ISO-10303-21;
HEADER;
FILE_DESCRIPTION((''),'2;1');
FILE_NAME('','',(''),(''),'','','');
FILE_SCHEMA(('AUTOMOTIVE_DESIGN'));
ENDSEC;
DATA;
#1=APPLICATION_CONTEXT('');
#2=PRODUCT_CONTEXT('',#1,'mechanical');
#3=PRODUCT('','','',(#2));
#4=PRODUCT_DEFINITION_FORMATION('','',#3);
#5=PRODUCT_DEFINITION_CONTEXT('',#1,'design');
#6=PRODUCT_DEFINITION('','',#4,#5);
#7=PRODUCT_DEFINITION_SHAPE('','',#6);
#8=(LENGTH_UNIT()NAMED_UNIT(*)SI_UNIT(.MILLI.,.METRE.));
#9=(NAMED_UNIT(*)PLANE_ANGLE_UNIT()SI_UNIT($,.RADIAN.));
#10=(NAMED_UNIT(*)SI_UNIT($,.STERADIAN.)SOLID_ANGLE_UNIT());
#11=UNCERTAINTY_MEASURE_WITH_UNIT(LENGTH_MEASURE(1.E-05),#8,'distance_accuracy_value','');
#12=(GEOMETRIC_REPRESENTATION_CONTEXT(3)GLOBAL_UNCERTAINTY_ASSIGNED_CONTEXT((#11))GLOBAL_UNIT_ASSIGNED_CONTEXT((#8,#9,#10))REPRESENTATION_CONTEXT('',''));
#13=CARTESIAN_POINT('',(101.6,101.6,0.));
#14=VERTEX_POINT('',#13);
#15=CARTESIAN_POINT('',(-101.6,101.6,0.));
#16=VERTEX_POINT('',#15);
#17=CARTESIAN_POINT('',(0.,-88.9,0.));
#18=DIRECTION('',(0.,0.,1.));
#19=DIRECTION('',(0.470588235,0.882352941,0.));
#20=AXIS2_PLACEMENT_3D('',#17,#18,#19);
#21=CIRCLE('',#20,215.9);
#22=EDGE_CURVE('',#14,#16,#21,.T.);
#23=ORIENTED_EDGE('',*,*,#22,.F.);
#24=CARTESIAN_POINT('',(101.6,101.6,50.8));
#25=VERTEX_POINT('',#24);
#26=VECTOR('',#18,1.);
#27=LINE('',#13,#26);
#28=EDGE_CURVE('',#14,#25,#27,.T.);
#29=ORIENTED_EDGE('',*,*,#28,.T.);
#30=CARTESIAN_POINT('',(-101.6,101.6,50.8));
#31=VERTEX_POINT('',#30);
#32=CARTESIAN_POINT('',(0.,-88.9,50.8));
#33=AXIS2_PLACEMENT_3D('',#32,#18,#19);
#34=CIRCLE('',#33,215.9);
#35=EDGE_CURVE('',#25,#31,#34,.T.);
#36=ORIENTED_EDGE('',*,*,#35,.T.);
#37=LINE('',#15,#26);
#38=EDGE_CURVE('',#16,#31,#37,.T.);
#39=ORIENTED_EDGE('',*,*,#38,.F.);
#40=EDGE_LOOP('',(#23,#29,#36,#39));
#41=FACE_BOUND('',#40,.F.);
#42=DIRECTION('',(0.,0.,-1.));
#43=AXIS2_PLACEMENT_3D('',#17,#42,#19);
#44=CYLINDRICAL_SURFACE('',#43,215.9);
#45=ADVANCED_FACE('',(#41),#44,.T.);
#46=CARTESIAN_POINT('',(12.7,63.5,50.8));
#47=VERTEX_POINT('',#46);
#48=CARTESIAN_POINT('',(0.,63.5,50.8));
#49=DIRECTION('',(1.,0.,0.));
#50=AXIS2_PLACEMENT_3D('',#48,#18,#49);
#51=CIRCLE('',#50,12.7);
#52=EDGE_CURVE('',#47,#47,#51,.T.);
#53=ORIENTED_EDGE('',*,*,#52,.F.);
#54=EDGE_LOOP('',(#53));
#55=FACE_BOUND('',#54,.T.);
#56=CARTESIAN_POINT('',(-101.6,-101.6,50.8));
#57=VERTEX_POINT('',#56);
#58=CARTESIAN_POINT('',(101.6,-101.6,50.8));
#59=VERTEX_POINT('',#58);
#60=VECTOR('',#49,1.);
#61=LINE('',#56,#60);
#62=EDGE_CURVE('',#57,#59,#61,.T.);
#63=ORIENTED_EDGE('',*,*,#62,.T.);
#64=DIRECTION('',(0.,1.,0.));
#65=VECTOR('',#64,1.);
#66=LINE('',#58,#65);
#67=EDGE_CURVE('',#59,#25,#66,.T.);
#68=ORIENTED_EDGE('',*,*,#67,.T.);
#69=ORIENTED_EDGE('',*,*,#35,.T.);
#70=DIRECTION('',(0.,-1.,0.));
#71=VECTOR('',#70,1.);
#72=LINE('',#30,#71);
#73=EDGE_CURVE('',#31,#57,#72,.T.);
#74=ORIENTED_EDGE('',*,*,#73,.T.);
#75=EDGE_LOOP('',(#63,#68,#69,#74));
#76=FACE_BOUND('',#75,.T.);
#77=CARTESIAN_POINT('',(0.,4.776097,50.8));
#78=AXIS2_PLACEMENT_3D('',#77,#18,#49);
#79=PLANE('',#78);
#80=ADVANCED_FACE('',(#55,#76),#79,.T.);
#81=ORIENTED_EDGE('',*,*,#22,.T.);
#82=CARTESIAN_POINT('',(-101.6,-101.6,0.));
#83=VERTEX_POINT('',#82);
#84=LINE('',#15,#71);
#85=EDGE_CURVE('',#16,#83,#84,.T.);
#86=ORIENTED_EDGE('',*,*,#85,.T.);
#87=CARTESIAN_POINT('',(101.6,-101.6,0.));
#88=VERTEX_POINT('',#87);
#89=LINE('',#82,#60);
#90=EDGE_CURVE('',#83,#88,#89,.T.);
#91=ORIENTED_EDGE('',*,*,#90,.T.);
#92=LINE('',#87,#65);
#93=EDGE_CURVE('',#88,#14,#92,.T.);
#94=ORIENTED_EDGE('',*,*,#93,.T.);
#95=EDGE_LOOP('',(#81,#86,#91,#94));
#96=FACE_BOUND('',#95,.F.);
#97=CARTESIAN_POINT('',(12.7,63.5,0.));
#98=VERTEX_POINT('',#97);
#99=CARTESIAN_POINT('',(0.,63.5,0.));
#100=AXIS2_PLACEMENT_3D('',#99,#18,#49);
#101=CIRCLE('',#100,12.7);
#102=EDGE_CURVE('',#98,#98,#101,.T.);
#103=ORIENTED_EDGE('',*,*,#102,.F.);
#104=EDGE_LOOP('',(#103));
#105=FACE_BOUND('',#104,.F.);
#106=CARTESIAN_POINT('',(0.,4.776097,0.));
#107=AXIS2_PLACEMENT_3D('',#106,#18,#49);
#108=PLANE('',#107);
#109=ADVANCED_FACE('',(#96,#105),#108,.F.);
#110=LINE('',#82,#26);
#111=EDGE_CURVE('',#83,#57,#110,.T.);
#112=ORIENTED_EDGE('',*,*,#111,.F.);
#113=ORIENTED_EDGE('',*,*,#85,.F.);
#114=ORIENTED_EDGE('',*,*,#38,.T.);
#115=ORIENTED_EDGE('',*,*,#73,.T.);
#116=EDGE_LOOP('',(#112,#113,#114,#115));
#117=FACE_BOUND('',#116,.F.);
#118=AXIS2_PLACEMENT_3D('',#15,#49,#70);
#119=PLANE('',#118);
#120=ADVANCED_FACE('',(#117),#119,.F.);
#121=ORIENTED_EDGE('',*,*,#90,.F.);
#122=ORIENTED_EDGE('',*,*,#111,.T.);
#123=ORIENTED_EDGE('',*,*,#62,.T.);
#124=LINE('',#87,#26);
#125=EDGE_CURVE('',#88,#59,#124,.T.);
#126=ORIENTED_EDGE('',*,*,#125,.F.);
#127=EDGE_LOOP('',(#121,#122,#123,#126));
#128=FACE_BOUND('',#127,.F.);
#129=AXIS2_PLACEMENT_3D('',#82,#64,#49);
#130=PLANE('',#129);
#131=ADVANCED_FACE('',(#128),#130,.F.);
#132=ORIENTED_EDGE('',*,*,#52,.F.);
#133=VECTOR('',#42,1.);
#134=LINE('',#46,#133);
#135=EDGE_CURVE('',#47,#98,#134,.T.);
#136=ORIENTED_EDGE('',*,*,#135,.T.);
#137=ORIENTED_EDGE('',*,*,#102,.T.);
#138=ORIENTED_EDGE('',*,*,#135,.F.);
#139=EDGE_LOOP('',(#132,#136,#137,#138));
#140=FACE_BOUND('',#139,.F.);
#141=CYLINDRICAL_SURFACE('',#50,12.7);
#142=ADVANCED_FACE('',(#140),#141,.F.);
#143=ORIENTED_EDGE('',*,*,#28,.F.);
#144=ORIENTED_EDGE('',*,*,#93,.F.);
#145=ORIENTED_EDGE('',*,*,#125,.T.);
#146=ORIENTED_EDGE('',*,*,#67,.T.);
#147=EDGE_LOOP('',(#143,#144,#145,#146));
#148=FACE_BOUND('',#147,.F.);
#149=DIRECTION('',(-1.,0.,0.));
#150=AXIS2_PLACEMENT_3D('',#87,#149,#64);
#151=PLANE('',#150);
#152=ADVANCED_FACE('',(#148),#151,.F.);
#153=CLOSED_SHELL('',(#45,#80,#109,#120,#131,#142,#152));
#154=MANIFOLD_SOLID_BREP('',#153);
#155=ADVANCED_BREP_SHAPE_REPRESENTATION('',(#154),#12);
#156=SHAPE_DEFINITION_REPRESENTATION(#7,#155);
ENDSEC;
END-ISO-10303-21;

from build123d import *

# Parameters (mm, degrees)
F1_DEPTH = 50.8
F2_R     = 12.7
F3_DEPTH = 50.8


with BuildPart() as f1:
    # F0 (on Top) → F1 (new body)
    with BuildSketch(Plane.XY):
        with BuildLine():
            Line((-101.6, 101.6), (-101.6, 0))
            Line((-101.6, 0), (-101.6, -101.6))
            Line((-101.6, -101.6), (101.6, -101.6))
            Line((101.6, -101.6), (101.6, 0))
            Line((101.6, 0), (101.6, 101.6))
            ThreePointArc((101.6, 101.6), (0, 127), (-101.6, 101.6))
        make_face()
    extrude(amount=F1_DEPTH)

    # F2 (on face) → F3 (cut)
    with BuildSketch(Plane.XY.offset(50.8)):
        with Locations((0, 63.5)):
            Circle(F2_R)
    extrude(amount=-F3_DEPTH, mode=Mode.SUBTRACT)


solid = f1.part
